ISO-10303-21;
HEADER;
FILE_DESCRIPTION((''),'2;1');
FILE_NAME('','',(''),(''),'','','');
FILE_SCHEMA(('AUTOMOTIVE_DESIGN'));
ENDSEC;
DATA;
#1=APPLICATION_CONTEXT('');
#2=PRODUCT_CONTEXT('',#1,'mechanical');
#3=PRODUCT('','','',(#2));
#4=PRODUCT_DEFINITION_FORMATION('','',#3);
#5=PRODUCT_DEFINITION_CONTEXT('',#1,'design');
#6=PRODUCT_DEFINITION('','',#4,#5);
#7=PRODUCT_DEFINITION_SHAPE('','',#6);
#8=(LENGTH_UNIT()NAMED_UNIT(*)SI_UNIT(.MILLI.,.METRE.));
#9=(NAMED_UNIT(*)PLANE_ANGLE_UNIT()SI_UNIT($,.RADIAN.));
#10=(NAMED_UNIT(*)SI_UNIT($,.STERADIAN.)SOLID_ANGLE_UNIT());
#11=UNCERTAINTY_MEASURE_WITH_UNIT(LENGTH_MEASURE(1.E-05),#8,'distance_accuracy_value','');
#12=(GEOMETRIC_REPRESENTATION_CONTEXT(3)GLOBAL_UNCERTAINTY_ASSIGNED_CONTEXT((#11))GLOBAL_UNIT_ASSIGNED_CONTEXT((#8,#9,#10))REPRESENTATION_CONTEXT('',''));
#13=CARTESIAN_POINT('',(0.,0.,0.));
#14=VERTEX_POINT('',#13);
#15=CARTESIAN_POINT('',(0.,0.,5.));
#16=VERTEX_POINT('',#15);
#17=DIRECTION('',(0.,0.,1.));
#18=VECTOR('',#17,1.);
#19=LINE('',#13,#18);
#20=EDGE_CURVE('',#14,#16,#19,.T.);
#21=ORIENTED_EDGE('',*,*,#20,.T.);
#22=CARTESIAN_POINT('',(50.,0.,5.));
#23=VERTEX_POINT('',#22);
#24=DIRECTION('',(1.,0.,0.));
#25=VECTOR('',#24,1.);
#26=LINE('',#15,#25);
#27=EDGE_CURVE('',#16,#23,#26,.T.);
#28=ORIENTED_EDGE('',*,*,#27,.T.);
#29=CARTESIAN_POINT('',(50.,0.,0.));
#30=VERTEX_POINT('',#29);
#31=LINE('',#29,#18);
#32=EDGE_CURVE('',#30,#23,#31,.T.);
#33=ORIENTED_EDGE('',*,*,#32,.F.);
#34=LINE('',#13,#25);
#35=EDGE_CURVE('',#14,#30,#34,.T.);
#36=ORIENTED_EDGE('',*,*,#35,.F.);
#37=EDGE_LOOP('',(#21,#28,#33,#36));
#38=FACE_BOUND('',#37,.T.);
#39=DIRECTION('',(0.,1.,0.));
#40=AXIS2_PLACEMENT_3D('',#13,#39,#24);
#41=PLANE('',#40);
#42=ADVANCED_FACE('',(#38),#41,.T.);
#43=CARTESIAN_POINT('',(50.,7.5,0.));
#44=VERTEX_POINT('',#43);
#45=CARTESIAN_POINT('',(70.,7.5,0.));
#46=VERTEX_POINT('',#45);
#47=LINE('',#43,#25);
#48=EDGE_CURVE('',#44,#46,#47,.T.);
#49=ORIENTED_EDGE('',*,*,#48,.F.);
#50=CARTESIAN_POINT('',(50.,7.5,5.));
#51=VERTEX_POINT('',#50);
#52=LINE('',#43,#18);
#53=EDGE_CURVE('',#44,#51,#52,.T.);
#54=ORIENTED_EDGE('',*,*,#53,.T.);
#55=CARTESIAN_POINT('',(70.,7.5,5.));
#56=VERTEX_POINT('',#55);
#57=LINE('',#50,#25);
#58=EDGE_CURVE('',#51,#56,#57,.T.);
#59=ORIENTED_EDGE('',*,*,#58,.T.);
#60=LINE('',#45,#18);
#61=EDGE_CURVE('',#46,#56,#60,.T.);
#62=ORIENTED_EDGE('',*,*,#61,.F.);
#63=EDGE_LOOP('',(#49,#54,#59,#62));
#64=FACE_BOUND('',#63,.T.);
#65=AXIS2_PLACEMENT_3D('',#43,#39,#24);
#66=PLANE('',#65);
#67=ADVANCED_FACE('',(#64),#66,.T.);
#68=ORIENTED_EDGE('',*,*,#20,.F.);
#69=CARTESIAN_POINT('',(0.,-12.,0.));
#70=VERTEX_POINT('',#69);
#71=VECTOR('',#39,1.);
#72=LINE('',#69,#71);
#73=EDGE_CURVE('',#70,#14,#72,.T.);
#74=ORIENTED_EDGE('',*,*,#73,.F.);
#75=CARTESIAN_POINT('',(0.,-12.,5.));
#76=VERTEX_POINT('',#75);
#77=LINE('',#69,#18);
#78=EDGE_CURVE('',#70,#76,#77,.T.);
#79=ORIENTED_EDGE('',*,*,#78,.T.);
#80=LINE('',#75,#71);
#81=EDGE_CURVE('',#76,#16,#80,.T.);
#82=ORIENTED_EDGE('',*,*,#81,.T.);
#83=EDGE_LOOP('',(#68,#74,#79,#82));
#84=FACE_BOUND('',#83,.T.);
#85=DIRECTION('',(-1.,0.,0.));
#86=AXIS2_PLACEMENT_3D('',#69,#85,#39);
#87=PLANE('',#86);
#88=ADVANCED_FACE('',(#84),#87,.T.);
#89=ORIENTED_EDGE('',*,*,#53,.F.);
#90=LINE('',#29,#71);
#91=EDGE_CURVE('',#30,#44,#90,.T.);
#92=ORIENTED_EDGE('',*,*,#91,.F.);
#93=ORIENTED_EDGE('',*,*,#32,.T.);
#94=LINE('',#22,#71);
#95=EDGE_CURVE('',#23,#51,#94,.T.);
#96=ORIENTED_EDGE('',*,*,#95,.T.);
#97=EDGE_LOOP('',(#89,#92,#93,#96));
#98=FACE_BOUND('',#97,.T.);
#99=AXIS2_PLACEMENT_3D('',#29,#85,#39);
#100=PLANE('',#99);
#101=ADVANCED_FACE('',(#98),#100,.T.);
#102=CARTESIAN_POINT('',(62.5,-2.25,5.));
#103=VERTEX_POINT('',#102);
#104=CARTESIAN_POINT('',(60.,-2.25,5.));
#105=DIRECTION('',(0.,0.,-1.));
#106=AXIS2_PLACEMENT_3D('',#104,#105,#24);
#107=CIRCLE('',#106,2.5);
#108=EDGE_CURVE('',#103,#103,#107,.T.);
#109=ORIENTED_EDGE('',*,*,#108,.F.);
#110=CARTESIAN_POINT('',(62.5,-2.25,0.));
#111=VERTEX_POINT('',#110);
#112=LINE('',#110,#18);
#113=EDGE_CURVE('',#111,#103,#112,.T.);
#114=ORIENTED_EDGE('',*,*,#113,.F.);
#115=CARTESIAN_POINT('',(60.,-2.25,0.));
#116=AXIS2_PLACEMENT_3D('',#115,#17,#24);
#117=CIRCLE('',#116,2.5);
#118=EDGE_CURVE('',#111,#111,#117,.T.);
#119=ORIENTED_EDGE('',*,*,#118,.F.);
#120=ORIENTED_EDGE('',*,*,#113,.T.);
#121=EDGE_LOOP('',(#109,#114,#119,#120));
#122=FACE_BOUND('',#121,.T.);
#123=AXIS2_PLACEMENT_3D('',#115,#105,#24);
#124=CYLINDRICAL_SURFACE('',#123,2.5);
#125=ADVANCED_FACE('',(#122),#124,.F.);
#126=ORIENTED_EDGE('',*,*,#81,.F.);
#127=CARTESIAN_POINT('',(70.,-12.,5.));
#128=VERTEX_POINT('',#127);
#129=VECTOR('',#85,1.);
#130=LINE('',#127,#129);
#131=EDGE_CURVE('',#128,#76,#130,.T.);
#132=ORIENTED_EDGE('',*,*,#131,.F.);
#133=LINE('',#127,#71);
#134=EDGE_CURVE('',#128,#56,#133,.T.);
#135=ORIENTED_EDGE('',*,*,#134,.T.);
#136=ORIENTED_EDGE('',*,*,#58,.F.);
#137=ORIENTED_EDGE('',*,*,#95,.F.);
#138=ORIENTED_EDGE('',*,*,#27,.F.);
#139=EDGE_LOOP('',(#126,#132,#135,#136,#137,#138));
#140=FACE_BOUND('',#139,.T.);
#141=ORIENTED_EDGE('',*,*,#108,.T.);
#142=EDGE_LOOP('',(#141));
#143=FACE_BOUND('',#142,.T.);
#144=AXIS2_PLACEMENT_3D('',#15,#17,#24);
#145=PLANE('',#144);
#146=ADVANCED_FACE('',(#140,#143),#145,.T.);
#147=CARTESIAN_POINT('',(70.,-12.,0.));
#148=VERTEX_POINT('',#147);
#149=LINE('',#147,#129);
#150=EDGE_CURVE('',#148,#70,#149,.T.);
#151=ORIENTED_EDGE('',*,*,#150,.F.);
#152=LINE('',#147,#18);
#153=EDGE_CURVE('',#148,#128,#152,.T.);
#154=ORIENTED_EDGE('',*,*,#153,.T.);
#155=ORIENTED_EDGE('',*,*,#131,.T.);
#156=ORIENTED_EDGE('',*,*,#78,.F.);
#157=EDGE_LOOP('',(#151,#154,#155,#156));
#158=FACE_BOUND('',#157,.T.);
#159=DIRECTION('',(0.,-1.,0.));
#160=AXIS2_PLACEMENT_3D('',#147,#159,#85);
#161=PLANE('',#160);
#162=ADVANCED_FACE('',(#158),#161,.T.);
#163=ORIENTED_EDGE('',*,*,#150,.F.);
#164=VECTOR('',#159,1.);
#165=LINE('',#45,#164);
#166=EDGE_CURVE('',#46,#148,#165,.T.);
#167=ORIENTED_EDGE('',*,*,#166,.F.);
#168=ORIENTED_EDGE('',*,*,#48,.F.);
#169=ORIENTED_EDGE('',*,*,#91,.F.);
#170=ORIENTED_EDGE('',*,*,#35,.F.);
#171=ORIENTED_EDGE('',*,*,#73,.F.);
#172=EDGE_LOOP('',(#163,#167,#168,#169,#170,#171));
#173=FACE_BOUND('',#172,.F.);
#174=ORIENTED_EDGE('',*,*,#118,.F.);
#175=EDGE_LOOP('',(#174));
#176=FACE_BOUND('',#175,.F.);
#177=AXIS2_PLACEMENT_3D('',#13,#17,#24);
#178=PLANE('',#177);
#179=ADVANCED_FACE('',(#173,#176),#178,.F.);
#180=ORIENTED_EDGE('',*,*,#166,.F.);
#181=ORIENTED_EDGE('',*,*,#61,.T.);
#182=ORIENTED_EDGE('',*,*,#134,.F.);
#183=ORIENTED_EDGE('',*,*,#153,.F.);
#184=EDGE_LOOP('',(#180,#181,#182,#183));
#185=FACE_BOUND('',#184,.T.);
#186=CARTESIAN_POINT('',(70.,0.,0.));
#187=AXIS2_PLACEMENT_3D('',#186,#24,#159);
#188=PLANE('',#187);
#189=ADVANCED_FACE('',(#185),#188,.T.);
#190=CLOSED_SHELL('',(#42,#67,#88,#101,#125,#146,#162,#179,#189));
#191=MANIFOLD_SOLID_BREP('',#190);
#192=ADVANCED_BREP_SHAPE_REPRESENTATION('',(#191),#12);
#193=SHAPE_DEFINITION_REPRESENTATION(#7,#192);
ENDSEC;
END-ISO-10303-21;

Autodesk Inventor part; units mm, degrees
ref_plane "YZ Plane" through (0, 0, 0) normal (1, 0, 0) x (0, 1, 0)
ref_plane "XZ Plane" through (0, 0, 0) normal (0, 1, 0) x (-1, 0, 0)
ref_plane "XY Plane" through (0, 0, 0) normal (0, 0, 1) x (1, 0, 0)
sketch "Sketch1" plane through (0, 0, 0) normal (0, 0, 1) x (1, 0, 0)
  line L0 (0, 0) -> (70, 0)
  line L1 (70, 0) -> (70, -12)
  line L2 (70, -12) -> (0, -12)
  line L3 (0, -12) -> (0, 0)
  line L4 (70, 0) -> (50, 0)
  line L5 (50, 0) -> (50, 7.5)
  line L6 (50, 7.5) -> (70, 7.5)
  line L7 (70, 7.5) -> (70, 0)
  circle A0 centre (60, -2.25) radius 2.5
  point P0 (0, -6)
  point P1 (70, -6)
  point P2 (35, 0)
  point P3 (50, 0)
  dimension "d0" = 70
  dimension "d1" = 12
  dimension "d11" = 20
  dimension "d12" = 7.5
  dimension "d15" = 9.75
  dimension "d16" = 10
  dimension "d17" = 5
extrude "Extrusion2" add sketch "Sketch1" along normal blind 5 contours L0 A0 L1 L2 L3 | L5 L6 L7 L0 A0
equation "\"d15\" = 0.5 * d1 + 0.5 * d12"
equation "\"d16\" = 0.5 * d11"
properties part number "Touchscreen mount v02"
